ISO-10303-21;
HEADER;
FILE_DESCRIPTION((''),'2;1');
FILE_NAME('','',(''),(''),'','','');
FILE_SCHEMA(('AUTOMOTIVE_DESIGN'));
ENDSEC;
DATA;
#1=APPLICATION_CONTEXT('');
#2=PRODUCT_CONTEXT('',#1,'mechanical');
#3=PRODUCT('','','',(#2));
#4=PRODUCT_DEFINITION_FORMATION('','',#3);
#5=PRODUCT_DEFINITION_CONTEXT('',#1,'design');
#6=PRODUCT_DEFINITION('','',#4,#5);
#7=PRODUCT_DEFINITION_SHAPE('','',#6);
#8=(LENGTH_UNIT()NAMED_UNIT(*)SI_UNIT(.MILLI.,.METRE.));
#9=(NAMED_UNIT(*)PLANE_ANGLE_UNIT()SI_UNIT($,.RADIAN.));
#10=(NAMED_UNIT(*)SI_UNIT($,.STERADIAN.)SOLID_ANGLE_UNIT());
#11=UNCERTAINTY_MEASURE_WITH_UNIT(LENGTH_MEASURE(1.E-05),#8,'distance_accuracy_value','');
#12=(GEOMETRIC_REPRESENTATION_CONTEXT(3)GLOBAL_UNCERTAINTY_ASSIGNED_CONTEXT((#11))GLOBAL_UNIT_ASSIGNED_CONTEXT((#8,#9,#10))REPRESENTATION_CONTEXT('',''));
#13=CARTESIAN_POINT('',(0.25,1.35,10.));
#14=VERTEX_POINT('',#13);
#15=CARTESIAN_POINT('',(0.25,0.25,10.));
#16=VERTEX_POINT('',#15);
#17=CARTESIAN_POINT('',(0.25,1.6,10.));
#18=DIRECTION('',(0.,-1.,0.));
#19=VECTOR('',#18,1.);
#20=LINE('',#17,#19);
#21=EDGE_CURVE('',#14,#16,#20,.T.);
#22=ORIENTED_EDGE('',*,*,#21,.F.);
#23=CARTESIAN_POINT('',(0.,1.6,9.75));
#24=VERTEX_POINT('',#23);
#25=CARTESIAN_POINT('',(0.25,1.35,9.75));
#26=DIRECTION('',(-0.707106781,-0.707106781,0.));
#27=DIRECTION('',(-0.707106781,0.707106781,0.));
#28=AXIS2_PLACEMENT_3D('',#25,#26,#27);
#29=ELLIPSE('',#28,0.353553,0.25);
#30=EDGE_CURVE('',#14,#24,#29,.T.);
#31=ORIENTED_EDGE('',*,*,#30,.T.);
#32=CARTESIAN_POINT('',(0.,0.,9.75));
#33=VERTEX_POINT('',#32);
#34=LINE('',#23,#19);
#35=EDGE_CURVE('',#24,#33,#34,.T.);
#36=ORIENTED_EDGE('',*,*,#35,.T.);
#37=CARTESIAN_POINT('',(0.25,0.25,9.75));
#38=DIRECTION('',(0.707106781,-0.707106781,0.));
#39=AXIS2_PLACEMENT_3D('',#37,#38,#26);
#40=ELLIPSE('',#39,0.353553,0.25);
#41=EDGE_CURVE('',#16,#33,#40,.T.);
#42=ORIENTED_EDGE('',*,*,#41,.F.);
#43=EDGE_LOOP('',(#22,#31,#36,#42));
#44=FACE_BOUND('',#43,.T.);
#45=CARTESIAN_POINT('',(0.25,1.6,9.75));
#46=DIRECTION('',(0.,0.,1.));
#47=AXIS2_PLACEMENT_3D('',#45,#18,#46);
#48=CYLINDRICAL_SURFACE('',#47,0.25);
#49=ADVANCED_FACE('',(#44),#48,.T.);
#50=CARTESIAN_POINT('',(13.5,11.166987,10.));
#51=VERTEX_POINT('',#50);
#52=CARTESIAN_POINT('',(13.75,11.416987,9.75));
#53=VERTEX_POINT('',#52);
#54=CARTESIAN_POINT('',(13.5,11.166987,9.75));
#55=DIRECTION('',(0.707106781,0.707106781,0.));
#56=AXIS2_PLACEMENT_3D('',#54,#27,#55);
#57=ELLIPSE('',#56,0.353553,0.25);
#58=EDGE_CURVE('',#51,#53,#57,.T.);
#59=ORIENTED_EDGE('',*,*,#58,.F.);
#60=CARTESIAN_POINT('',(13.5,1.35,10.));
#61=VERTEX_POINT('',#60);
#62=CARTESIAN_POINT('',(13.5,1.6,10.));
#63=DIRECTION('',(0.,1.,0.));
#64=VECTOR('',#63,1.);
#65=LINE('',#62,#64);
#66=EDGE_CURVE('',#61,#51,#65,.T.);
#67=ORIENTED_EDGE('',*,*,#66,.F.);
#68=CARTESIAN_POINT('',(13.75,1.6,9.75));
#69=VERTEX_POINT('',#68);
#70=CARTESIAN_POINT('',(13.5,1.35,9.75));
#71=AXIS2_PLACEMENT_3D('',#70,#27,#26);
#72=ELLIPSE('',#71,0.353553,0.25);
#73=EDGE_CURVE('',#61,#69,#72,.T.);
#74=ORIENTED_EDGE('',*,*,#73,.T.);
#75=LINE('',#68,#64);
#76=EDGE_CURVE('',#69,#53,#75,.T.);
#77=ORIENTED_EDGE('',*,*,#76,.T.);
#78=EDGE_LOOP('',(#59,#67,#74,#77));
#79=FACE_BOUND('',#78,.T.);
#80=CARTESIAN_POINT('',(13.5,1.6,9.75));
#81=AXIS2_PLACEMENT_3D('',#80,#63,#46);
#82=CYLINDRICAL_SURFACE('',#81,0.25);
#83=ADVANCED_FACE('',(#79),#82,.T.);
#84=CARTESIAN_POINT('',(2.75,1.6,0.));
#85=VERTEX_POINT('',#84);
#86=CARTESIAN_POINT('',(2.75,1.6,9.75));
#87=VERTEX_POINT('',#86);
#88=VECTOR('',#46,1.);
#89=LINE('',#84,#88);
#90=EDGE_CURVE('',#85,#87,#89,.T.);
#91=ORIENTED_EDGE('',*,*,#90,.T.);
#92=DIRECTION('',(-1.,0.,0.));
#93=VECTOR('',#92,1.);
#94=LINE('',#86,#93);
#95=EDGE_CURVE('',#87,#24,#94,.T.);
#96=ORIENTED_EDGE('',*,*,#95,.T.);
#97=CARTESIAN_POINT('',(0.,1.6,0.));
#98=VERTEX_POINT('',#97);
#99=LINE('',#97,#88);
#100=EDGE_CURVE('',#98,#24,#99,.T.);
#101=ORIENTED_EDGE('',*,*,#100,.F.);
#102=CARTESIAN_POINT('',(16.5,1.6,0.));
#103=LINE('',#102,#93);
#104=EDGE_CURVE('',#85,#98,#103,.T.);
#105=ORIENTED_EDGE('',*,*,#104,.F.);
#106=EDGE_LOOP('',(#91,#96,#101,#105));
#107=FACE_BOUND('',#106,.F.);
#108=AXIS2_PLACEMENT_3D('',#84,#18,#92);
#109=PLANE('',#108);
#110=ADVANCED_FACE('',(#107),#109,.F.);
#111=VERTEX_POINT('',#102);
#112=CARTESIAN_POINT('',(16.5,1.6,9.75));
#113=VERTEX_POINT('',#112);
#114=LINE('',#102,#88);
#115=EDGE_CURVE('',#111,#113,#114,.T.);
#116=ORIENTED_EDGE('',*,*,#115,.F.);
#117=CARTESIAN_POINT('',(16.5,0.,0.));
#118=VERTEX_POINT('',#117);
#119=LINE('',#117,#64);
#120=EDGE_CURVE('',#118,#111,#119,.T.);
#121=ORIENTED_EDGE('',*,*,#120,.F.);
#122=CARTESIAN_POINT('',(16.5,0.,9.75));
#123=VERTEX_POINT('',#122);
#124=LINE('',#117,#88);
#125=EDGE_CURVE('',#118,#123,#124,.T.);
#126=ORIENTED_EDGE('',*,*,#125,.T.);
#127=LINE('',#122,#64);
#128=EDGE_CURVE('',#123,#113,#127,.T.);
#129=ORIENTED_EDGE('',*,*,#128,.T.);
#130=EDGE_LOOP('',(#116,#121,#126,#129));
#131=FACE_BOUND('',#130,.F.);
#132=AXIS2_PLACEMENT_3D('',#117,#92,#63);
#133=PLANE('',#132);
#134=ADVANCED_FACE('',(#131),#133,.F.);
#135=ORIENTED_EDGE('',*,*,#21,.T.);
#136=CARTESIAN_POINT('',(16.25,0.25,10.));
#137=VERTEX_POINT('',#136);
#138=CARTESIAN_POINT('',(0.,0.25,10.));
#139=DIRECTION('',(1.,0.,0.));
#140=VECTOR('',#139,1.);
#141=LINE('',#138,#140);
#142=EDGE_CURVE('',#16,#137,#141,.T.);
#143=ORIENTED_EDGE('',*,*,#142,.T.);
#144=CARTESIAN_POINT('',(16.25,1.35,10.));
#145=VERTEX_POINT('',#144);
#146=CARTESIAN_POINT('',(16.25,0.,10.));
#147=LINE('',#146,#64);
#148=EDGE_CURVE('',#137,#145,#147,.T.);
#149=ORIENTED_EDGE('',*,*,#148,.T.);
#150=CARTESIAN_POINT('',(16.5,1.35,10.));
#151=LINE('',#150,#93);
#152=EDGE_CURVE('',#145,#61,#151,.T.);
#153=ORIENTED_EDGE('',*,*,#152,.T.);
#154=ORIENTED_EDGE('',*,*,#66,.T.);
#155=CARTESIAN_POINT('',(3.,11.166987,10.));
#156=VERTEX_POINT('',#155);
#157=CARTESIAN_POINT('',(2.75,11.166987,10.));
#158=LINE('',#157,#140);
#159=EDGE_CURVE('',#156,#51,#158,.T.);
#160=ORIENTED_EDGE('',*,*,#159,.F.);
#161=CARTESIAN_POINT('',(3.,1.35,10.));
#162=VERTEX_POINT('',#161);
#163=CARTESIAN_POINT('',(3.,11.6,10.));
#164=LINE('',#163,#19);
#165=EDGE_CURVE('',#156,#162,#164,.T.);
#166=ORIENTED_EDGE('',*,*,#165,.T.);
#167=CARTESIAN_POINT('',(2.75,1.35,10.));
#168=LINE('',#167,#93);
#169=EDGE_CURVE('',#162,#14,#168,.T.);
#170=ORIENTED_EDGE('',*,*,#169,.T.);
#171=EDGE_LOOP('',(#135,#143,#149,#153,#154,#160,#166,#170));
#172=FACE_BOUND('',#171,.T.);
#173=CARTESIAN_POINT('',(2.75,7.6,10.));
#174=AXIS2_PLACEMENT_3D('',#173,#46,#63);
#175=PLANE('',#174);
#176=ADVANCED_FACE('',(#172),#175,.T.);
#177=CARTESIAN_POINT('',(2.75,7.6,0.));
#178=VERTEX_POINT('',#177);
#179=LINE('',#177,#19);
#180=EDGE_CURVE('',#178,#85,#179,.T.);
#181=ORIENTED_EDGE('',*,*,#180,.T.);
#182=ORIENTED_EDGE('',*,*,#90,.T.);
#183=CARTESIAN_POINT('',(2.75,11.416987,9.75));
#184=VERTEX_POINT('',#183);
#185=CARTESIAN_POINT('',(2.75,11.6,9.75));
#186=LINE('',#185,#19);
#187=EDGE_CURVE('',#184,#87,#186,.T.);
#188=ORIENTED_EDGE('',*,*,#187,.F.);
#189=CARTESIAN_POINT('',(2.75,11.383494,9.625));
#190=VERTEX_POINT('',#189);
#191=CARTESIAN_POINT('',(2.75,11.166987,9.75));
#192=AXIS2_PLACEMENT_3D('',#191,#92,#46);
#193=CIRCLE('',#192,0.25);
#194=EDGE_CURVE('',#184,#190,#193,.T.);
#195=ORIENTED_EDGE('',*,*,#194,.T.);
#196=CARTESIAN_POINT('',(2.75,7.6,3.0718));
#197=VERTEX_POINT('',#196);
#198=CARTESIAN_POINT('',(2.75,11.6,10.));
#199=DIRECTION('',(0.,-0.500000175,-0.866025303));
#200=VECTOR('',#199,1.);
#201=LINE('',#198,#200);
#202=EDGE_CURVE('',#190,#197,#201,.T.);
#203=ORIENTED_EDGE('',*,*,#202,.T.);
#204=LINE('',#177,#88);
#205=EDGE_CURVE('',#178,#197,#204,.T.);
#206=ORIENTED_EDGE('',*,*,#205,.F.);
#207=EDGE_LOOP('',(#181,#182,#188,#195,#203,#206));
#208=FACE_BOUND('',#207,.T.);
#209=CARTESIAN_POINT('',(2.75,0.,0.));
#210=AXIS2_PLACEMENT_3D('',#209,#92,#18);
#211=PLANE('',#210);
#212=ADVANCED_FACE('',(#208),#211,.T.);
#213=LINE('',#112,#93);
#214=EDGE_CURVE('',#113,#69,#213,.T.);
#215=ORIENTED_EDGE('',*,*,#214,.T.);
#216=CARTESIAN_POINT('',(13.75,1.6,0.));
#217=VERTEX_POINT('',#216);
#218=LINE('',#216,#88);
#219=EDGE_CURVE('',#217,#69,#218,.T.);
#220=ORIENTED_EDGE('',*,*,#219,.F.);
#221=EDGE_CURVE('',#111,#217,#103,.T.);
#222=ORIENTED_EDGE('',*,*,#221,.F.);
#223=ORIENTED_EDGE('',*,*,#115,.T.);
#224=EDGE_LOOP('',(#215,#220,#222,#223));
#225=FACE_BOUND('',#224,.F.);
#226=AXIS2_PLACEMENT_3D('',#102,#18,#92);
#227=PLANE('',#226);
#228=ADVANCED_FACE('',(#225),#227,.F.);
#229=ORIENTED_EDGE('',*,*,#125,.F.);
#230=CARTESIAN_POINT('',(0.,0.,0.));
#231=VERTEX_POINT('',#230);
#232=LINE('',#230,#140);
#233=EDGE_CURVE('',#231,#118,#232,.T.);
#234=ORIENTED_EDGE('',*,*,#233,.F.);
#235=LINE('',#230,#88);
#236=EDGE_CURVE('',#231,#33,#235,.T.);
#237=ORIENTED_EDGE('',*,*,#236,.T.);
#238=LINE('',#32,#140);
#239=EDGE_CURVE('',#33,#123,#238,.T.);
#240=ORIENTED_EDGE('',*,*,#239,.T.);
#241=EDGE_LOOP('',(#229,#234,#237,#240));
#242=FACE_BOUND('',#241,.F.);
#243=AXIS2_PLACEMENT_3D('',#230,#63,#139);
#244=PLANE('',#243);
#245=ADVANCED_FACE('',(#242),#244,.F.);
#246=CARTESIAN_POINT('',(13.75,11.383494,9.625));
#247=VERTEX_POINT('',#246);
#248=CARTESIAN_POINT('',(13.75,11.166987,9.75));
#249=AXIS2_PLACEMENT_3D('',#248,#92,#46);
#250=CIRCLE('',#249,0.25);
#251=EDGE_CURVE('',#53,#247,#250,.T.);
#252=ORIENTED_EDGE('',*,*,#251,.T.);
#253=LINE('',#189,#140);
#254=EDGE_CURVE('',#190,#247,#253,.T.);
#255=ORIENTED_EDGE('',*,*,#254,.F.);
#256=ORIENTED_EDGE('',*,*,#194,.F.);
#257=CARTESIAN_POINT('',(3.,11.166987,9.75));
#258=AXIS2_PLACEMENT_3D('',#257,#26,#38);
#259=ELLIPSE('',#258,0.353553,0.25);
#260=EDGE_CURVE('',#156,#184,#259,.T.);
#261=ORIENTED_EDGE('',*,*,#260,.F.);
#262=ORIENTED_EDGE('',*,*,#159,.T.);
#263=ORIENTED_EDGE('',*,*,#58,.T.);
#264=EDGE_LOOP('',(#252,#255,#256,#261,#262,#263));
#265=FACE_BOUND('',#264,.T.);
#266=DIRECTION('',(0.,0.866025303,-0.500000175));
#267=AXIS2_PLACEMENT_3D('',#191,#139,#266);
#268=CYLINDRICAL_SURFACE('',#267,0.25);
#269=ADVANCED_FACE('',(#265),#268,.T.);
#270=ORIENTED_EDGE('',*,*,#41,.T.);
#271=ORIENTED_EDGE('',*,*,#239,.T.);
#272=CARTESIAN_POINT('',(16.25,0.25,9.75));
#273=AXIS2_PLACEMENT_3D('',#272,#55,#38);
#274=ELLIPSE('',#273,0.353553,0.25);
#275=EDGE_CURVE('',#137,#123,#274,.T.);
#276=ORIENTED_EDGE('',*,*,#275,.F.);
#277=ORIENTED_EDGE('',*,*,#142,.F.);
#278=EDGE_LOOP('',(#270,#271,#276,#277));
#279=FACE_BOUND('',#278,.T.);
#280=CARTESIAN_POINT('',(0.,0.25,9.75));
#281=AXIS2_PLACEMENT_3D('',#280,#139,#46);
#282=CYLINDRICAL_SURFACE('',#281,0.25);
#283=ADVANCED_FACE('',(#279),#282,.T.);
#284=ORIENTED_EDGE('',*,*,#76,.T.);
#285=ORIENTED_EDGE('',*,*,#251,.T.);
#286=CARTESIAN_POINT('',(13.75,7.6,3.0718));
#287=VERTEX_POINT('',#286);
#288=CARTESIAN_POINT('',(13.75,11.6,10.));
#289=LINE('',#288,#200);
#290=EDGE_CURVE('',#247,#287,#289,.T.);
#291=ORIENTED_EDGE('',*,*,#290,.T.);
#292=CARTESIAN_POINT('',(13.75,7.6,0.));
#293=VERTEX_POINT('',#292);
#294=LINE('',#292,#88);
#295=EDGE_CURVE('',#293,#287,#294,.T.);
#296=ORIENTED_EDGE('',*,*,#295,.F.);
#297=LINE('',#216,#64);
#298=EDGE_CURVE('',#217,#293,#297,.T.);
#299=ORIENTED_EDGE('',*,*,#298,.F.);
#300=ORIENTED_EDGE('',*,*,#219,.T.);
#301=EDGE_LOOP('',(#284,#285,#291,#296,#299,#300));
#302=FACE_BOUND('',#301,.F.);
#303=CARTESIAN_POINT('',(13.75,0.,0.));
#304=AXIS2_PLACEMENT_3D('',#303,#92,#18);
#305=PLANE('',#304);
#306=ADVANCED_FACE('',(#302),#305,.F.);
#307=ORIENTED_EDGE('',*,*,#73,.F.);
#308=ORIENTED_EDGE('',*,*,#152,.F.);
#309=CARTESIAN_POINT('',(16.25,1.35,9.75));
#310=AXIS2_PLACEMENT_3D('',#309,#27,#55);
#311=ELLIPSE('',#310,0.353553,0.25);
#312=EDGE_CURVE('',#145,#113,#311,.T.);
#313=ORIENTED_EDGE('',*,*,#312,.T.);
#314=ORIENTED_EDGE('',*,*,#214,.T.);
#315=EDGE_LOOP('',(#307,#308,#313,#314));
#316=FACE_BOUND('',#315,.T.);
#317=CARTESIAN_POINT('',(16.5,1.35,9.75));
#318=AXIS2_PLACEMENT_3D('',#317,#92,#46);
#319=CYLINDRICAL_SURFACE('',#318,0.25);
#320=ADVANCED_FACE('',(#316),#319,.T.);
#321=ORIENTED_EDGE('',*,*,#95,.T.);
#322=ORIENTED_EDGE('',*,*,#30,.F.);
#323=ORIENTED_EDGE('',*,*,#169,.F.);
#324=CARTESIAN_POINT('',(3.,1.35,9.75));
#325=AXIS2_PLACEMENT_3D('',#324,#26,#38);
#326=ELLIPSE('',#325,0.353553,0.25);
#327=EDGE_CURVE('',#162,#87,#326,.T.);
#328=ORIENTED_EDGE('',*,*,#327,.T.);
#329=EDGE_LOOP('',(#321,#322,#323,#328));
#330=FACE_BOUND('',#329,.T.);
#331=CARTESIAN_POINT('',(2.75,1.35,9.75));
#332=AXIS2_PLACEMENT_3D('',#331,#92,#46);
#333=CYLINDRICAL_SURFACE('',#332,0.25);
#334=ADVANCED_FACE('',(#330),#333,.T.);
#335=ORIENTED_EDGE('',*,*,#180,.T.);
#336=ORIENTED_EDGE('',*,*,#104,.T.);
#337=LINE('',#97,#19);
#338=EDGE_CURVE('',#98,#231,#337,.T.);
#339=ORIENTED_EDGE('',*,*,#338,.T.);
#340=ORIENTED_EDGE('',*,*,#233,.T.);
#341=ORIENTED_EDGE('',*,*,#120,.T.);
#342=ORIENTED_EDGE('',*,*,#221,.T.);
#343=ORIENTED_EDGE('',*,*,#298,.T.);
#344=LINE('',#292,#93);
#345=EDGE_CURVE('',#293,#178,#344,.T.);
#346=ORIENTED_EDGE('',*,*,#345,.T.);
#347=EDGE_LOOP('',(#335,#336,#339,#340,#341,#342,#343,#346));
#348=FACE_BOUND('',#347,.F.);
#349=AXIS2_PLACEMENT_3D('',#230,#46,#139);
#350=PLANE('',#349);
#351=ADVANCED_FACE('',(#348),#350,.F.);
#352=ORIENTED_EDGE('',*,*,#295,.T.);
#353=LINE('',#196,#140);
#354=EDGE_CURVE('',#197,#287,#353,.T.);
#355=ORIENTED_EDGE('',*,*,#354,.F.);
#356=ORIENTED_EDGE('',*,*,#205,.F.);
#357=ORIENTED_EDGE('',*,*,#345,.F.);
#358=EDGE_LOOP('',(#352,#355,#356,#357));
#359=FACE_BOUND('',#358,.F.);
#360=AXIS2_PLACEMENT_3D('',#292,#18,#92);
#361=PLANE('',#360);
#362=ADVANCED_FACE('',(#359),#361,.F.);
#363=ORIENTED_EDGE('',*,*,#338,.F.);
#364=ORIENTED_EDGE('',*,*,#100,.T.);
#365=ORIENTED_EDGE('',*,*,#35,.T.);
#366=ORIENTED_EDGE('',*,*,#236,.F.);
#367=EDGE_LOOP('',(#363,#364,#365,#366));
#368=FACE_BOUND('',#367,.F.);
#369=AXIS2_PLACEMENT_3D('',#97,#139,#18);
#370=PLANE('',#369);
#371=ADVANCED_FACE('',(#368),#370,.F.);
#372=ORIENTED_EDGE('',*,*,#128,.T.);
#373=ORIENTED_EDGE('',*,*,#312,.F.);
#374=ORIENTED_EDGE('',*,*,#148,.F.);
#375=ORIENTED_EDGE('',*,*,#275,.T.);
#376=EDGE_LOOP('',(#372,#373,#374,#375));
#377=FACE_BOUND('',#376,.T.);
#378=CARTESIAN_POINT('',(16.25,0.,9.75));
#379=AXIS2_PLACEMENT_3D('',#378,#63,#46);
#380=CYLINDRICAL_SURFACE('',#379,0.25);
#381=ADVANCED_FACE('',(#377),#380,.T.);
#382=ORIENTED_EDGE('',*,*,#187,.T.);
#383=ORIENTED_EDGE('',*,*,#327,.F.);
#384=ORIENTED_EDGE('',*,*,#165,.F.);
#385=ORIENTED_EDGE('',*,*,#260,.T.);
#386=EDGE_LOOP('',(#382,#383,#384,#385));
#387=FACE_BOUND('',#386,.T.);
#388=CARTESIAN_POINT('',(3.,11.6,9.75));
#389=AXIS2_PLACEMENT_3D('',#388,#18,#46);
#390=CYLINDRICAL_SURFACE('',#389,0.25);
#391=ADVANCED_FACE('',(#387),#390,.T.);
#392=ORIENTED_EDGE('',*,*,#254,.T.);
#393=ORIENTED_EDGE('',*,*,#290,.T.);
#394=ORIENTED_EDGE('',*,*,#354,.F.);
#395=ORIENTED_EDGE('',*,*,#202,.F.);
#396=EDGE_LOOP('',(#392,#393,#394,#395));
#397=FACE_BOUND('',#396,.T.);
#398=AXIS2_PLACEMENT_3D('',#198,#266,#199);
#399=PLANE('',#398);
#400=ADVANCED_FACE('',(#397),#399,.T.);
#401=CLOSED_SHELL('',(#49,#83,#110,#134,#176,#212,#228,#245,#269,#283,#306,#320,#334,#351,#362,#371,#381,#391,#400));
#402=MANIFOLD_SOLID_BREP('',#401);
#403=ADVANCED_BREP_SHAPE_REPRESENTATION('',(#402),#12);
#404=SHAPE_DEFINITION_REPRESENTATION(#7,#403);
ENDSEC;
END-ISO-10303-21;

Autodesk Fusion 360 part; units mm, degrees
sketch "Sketch1" plane through (0, 0, 0) normal (0, 0, 1) x (1, 0, 0)
  line L0 (0, 0) -> (16.5, 0)
  line L1 (16.5, 0) -> (16.5, 1.6)
  line L2 (16.5, 1.6) -> (0, 1.6)
  line L3 (0, 1.6) -> (0, 0)
  line L4 (2.75, 1.6) -> (13.75, 1.6)
  line L5 (13.75, 1.6) -> (13.75, 7.6)
  line L6 (13.75, 7.6) -> (2.75, 7.6)
  line L7 (2.75, 7.6) -> (2.75, 1.6)
  dimension "d1" = 16.5
  dimension "d2" = 1.6
  dimension "d3" = 11
  dimension "d4" = 6
  dimension "d5" = 2.75
extrude "Extrude1" add sketch "Sketch1" along normal blind 10
sketch "Sketch2" plane through (2.75, 0, 0) normal (-1, 0, 0) x (0, -1, 0)
  line L0 (-7.6, 0) -> (-1.6, 0)
  line L1 (-1.6, 0) -> (-1.6, 10)
  line L2 (-1.6, 10) -> (-7.6, 10)
  line L3 (-7.6, 10) -> (-7.6, 0)
  line L4 (-7.6, 10) -> (-11.6, 10)
  line L5 (-11.6, 10) -> (-7.6, 3.0718)
  line L6 (-11.6, 10) -> (-3.6, 10) construction
  dimension "d8" = 4
  dimension "d9" = 60
extrude "Extrude2" add sketch "Sketch2" against normal blind 11 contours L3 L4 L5
fillet "Fillet1" radius 0.25 8 edges at (2.75, 6.6, 10) (1.375, 1.6, 10) (0, 0.8, 10) (8.25, 0, 10) (16.5, 0.8, 10) (15.125, 1.6, 10) (13.75, 6.6, 10) (8.25, 11.6, 10)
equation "d5 = ( ( 16.5 - 11 ) / 2 ) * 1 mm"
